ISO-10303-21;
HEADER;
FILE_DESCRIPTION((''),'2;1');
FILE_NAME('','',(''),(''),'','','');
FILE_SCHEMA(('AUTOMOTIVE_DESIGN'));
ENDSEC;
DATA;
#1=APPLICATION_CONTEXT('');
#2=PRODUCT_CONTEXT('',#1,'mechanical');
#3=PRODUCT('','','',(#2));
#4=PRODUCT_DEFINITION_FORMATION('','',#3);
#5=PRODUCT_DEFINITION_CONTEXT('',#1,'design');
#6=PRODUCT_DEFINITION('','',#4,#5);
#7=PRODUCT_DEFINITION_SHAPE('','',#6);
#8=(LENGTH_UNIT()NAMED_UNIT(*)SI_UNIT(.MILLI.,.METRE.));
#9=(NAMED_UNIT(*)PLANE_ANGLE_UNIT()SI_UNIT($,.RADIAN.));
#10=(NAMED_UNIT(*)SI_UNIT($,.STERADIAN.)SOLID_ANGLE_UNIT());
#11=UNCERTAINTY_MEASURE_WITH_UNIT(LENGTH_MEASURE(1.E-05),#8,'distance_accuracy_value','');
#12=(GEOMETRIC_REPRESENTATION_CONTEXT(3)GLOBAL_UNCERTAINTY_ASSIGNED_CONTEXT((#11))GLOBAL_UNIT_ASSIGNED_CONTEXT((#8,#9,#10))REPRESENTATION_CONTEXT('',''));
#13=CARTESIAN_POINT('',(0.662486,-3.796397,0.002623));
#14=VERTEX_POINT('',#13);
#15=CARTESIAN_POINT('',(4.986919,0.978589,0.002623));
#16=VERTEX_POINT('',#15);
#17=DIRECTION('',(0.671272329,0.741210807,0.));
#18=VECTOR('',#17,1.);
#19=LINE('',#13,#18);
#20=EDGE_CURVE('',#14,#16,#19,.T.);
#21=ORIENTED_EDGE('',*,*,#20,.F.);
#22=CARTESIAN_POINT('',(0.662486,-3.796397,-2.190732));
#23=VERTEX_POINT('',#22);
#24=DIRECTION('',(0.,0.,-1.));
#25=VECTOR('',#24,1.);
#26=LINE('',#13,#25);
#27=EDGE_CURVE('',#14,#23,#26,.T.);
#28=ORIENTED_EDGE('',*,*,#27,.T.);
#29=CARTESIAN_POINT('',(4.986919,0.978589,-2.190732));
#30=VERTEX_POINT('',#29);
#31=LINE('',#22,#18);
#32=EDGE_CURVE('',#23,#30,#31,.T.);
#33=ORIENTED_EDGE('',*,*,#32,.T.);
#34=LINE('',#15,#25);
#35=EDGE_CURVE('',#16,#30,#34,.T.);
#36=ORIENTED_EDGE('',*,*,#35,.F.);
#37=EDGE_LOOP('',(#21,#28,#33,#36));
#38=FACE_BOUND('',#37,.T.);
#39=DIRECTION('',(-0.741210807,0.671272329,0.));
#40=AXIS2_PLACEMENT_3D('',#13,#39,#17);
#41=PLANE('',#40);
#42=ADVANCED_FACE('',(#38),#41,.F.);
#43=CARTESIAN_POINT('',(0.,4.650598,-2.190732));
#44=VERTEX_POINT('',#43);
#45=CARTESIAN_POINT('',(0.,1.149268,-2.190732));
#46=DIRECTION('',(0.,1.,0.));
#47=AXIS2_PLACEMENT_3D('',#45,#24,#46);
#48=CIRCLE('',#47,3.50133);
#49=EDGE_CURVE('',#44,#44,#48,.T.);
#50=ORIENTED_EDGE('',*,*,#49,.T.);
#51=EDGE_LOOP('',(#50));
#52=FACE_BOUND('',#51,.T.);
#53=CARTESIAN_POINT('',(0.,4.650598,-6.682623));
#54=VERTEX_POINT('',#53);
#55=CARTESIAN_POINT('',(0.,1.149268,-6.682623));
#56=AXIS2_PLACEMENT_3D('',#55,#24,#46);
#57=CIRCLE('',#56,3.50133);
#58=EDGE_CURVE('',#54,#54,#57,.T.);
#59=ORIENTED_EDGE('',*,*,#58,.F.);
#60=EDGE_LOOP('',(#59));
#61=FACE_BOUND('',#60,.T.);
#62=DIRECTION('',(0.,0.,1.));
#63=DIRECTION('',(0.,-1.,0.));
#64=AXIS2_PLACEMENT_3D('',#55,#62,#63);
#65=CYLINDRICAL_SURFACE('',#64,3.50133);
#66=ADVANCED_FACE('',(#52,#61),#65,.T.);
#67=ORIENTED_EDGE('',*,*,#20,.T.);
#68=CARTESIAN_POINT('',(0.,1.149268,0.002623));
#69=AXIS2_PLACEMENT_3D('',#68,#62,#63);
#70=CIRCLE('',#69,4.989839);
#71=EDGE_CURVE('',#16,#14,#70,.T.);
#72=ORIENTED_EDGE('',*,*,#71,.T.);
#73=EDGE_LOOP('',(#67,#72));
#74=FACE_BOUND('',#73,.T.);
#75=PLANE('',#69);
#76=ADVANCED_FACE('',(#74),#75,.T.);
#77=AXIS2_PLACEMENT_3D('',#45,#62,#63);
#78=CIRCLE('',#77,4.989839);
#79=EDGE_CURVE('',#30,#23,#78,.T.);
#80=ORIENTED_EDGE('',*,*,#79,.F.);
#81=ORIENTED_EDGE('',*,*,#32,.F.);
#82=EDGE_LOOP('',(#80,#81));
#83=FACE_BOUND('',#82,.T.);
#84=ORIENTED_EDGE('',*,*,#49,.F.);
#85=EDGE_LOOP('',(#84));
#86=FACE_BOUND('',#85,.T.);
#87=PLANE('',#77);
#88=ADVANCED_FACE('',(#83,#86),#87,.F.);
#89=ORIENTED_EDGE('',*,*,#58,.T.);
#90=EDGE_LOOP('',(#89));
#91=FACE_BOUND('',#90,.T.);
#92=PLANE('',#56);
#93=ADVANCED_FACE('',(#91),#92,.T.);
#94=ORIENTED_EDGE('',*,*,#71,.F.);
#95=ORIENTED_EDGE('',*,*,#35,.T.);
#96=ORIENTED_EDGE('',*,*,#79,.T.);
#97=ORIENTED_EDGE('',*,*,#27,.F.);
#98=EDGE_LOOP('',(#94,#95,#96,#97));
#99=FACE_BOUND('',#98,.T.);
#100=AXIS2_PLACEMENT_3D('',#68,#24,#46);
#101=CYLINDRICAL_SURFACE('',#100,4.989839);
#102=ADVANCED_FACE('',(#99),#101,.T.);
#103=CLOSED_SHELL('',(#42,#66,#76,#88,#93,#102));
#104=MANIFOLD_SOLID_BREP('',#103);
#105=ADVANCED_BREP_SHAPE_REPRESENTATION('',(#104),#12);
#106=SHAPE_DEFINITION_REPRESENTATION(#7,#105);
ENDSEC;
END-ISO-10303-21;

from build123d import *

# Parameters (mm, degrees)
SKETCH_2_R        = 3.501329815
EXTRUDE_1_DEPTH   = 4.491890815
EXTRUDE_2_DEPTH   = 2.193354394
MOVE_BODY_1_ANGLE = 90


with BuildPart() as part:
    # Эскиз2 → Бобышка-Вытянуть1 (new body)
    with BuildSketch(Plane(origin=(0, 0, 0), x_dir=(1, 0, 0), z_dir=(0, 1, 0))):
        Circle(SKETCH_2_R)
    extrude(amount=EXTRUDE_1_DEPTH)

    # Эскиз3 → Бобышка-Вытянуть2 (add)
    with BuildSketch(Plane(origin=(0, 0, 0), x_dir=(-1, 0, 0), z_dir=(0, -1, 0))):
        with BuildLine():
            Line((-0.662486279, 4.945665231), (-4.986919029, 0.170678767))
            ThreePointArc((-4.986919029, 0.170678767), (3.698522545, -3.349540809), (-0.662486279, 4.945665231))
        make_face()
    extrude(amount=EXTRUDE_2_DEPTH)


with BuildPart() as part_1:
    # Move Body 1: moved
    add(part.part.rotate(Axis((0, 1.149268211, 0), (-1, 0, 0)), MOVE_BODY_1_ANGLE))


with BuildPart() as part_2:
    # Move Body 2: moved
    add(part_1.part.moved(Location((0, 0, -3.34))))


solid = part_2.part
